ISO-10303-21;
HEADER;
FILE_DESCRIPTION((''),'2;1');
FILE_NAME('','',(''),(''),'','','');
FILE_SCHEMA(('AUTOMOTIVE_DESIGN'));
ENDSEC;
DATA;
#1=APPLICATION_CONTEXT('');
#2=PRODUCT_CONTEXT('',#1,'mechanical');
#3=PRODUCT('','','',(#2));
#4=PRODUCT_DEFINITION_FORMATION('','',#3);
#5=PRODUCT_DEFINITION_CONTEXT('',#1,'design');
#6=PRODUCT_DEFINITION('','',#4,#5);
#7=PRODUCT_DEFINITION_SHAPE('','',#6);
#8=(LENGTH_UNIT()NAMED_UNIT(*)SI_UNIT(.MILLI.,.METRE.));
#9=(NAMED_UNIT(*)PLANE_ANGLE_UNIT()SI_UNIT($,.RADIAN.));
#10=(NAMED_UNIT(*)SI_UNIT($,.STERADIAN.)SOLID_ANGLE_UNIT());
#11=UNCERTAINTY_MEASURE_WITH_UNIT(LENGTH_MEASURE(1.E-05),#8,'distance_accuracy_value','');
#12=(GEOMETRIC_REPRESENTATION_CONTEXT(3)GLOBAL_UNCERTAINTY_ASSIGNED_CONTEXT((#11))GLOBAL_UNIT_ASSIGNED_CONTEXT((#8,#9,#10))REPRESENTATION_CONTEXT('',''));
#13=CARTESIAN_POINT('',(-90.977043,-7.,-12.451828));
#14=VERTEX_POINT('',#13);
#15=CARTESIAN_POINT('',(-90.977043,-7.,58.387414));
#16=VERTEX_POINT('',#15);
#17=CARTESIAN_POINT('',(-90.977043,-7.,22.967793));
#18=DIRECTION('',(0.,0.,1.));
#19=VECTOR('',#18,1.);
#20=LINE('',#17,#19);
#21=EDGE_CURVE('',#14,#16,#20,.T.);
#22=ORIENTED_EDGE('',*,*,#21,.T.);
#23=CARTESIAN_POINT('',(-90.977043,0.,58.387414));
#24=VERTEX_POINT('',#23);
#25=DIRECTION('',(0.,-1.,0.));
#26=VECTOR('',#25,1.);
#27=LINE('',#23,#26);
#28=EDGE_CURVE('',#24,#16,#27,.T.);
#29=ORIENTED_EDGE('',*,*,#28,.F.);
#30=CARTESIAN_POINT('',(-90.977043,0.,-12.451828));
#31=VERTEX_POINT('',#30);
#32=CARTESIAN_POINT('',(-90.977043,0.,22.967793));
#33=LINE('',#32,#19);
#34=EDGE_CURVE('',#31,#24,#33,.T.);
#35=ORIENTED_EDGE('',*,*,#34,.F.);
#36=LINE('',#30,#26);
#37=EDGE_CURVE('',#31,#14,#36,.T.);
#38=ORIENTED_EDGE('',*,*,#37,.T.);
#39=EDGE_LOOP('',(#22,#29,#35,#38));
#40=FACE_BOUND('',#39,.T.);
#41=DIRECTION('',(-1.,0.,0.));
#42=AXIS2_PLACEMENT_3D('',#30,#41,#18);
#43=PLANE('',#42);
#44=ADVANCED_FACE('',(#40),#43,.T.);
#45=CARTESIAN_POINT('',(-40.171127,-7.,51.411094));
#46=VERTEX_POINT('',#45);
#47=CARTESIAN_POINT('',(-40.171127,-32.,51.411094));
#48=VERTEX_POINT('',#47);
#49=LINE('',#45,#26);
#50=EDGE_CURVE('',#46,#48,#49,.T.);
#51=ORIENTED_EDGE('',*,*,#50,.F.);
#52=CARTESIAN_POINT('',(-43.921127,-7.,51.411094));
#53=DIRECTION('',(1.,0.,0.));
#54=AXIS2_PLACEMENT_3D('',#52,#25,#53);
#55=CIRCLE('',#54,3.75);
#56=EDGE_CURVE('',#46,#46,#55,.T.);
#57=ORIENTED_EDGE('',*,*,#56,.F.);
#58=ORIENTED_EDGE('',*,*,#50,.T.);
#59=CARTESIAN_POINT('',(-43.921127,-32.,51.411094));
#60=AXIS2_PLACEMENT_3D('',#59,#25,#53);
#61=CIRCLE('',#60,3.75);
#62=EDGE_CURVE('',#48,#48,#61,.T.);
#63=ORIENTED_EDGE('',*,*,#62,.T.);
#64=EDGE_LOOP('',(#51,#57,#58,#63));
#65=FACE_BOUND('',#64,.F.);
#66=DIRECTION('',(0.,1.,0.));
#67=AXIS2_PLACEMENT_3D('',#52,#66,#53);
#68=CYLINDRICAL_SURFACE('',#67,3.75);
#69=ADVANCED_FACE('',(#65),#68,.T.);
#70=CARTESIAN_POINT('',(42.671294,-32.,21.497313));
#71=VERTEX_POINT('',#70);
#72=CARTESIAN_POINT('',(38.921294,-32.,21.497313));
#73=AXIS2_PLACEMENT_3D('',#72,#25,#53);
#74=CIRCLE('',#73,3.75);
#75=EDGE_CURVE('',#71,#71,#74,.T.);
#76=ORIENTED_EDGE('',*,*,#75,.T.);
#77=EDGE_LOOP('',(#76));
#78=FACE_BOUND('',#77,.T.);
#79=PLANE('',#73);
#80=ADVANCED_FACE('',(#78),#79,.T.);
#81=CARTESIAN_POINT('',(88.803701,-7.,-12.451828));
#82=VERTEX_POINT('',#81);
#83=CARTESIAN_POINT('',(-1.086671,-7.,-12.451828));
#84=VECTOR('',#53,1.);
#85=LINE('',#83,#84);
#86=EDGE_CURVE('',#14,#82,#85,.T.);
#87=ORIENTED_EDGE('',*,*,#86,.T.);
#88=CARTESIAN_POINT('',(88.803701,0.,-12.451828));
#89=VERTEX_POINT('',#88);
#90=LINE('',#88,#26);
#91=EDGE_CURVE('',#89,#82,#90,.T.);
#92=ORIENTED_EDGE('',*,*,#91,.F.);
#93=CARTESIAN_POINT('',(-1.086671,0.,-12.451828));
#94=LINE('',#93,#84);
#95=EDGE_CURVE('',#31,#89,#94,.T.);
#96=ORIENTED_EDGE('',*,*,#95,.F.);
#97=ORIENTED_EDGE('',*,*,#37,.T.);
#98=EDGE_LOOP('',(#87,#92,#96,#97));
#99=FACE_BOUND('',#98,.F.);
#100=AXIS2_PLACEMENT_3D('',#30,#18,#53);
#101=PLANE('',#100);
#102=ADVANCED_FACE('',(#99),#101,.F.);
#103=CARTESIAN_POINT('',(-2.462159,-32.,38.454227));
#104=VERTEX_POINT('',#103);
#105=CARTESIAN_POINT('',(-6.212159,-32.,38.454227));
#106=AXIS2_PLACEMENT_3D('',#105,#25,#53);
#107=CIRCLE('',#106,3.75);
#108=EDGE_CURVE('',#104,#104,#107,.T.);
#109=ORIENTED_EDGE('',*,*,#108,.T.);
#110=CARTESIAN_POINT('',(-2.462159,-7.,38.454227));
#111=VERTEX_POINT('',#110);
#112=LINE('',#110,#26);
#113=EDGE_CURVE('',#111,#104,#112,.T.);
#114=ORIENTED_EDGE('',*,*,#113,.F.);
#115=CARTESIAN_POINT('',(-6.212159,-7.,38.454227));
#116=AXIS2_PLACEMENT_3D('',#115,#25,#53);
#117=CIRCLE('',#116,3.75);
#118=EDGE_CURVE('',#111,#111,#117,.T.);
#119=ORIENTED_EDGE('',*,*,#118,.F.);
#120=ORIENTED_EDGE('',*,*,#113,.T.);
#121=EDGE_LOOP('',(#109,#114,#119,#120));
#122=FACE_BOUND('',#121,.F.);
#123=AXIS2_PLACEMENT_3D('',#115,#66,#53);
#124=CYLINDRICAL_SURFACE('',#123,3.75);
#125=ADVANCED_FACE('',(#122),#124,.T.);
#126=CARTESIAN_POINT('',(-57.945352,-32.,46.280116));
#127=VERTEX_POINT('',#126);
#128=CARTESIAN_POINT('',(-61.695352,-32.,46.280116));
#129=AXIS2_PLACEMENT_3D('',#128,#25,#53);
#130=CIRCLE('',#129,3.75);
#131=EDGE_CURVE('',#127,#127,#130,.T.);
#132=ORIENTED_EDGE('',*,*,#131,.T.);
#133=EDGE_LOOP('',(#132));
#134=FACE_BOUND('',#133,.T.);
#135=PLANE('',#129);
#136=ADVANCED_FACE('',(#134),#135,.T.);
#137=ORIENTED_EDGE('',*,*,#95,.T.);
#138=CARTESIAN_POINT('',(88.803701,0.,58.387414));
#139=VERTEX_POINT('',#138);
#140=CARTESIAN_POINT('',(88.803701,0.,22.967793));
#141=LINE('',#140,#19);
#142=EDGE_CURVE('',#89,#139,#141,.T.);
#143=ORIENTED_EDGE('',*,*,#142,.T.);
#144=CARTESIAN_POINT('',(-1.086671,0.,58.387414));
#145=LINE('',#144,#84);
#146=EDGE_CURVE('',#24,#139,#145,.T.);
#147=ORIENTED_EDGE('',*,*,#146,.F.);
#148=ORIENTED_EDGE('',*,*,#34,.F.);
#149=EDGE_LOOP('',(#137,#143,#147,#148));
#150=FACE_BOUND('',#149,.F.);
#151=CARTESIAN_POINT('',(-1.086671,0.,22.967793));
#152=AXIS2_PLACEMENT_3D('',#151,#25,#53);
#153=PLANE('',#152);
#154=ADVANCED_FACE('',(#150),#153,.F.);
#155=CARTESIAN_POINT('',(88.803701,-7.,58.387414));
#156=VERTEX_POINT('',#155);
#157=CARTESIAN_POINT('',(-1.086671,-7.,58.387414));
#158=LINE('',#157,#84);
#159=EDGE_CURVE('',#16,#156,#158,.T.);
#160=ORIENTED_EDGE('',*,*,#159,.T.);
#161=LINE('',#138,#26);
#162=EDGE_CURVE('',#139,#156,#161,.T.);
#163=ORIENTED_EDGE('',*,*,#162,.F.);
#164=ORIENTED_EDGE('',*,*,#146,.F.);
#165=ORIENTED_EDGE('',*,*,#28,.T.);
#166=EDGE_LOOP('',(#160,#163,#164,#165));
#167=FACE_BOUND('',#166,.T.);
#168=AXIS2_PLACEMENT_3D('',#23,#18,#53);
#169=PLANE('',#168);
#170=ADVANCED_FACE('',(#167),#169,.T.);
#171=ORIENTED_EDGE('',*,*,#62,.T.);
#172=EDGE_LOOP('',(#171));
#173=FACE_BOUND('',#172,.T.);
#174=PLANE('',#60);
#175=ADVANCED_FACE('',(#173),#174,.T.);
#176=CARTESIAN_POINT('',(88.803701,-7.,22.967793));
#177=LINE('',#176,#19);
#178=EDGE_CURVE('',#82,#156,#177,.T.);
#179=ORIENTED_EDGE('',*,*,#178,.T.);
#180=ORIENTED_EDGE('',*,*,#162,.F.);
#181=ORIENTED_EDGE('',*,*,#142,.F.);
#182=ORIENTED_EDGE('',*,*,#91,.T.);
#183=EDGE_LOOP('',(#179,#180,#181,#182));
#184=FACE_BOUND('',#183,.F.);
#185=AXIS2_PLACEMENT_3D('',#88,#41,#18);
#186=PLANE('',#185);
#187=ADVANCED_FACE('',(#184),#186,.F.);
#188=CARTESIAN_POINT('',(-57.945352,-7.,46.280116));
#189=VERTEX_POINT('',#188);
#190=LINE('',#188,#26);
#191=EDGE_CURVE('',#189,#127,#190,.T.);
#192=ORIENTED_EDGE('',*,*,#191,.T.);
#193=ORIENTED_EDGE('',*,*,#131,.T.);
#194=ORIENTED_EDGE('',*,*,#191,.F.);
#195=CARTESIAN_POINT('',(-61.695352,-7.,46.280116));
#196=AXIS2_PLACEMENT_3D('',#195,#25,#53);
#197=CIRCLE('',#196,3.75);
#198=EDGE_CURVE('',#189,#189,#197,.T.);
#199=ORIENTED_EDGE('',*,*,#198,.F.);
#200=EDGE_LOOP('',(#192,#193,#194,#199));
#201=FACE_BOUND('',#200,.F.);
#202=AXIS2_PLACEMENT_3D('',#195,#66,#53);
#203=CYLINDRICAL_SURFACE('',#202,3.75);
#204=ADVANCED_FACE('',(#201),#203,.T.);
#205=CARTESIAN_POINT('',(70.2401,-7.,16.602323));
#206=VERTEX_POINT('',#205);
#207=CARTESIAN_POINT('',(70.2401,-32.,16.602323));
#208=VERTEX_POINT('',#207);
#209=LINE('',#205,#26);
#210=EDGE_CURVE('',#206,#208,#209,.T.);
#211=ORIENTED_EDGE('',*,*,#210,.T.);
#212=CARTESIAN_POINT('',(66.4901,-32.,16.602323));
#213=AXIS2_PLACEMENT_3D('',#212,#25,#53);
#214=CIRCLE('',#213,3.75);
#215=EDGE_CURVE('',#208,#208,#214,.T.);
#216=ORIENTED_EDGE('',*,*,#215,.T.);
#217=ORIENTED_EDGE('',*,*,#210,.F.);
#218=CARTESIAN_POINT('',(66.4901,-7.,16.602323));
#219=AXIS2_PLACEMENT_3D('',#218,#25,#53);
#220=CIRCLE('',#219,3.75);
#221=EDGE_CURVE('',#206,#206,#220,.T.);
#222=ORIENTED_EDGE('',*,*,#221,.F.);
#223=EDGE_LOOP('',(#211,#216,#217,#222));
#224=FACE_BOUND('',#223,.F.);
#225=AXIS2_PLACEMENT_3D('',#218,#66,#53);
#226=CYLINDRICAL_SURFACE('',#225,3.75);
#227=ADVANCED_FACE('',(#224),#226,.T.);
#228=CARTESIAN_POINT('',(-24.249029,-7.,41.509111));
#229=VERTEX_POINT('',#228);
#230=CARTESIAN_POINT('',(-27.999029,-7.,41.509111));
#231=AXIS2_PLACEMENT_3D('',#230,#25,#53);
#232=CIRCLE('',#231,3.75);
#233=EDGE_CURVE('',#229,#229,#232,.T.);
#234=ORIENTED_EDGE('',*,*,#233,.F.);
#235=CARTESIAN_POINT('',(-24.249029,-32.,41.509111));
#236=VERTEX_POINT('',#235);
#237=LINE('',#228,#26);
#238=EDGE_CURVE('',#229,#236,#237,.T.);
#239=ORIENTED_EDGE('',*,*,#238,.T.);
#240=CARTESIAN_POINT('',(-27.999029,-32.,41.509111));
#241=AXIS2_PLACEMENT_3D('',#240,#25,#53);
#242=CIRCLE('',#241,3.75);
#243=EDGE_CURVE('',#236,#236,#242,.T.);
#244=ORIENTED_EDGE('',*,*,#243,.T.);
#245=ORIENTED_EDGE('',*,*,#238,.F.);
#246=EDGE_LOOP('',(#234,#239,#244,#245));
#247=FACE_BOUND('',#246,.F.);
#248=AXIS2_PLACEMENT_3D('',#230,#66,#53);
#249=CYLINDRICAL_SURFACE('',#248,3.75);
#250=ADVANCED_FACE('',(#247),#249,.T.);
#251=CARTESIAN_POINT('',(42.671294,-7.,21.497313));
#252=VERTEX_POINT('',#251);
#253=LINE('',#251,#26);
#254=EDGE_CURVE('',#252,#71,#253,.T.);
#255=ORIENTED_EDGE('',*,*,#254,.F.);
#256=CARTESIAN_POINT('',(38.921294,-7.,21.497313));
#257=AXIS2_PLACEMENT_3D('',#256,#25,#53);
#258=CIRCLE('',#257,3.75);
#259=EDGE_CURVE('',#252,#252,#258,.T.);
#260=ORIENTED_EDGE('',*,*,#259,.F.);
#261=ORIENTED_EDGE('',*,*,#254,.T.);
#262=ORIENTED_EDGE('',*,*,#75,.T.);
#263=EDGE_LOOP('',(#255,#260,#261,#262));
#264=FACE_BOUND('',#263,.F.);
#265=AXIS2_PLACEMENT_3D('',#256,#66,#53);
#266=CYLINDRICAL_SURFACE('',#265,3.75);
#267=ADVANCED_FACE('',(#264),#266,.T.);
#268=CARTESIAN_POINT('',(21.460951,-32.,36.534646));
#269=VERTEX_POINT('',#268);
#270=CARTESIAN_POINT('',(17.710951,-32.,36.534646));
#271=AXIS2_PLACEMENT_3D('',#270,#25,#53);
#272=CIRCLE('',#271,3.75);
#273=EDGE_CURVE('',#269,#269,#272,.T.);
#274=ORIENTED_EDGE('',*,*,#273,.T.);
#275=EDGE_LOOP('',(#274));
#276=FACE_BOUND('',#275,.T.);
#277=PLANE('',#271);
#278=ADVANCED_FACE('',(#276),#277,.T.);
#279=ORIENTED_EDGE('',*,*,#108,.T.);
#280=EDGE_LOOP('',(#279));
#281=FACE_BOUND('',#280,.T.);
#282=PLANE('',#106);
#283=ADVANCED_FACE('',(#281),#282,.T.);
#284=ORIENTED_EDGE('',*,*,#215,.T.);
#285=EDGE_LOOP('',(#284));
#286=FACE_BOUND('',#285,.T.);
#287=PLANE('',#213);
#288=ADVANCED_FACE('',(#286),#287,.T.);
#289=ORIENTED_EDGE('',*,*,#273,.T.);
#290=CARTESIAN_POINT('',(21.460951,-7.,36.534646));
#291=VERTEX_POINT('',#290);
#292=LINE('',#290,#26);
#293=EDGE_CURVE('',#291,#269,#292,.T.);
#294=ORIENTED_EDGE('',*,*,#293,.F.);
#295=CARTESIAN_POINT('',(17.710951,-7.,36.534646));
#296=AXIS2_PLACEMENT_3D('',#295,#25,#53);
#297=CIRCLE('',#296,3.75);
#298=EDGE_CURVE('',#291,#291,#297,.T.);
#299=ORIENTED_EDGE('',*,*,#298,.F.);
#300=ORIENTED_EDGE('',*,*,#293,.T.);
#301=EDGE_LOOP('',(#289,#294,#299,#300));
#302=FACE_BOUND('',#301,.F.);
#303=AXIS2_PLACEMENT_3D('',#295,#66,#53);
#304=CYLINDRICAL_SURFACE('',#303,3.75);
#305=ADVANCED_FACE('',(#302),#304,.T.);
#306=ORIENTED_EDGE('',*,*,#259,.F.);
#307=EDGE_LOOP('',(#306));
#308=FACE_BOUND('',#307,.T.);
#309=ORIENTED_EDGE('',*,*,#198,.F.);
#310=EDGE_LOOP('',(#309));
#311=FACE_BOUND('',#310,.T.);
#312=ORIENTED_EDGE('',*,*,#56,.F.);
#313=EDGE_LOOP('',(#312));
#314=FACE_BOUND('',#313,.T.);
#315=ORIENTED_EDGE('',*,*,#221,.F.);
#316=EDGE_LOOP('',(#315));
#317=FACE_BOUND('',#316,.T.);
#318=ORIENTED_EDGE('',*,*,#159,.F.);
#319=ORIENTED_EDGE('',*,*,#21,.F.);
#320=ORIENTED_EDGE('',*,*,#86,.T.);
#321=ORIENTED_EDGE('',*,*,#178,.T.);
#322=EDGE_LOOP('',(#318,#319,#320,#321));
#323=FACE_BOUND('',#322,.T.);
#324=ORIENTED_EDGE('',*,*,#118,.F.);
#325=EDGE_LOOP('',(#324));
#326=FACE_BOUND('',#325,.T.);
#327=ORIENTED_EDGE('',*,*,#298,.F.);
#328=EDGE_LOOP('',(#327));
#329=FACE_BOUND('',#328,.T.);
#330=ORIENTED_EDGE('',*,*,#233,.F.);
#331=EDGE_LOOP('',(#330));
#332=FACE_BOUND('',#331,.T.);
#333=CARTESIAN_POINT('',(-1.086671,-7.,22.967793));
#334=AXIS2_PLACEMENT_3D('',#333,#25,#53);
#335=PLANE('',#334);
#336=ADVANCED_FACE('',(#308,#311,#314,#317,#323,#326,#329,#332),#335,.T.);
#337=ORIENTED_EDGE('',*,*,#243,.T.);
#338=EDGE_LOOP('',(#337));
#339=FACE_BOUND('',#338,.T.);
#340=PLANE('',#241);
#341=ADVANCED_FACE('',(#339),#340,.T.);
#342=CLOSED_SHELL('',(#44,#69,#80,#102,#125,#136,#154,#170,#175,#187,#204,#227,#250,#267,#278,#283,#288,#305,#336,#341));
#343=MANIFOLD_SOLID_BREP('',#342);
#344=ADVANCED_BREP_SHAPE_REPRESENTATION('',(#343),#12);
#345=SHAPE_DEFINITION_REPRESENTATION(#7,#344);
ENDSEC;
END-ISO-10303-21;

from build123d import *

# Parameters (mm, degrees)
F0_W      = 179.780744
F0_H      = 70.839242
F1_DEPTH  = 7
F2_R      = 3.75
F3_DEPTH  = 25
F4_R      = 3.75
F5_DEPTH  = 25
F6_R      = 3.75
F7_DEPTH  = 25
F8_R      = 3.75
F9_DEPTH  = 25
F10_R     = 3.75
F11_DEPTH = 25
F12_R     = 3.75
F13_DEPTH = 25
F14_R     = 3.75
F15_DEPTH = 25


with BuildPart() as f1:
    # F0 (on Front) → F1 (new body)
    with BuildSketch(Plane.XZ):
        with Locations((-1.086671, 22.967793)):
            Rectangle(F0_W, F0_H)
    extrude(amount=F1_DEPTH)

    # F2 (on face) → F3 (join)
    with BuildSketch(Plane.XZ.offset(7)):
        with Locations((-61.695352, 46.280116)):
            Circle(F2_R)
    extrude(amount=F3_DEPTH)

    # F4 (on face) → F5 (join)
    with BuildSketch(Plane.XZ.offset(7)):
        with Locations((-43.921127, 51.411094)):
            Circle(F4_R)
    extrude(amount=F5_DEPTH)

    # F6 (on face) → F7 (join)
    with BuildSketch(Plane.XZ.offset(7)):
        with Locations((-27.999029, 41.509111)):
            Circle(F6_R)
    extrude(amount=F7_DEPTH)

    # F8 (on face) → F9 (join)
    with BuildSketch(Plane.XZ.offset(7)):
        with Locations((-6.212159, 38.454227)):
            Circle(F8_R)
    extrude(amount=F9_DEPTH)

    # F10 (on face) → F11 (join)
    with BuildSketch(Plane.XZ.offset(7)):
        with Locations((17.710951, 36.534646)):
            Circle(F10_R)
    extrude(amount=F11_DEPTH)

    # F12 (on face) → F13 (join)
    with BuildSketch(Plane.XZ.offset(7)):
        with Locations((38.921294, 21.497313)):
            Circle(F12_R)
    extrude(amount=F13_DEPTH)

    # F14 (on face) → F15 (join)
    with BuildSketch(Plane.XZ.offset(7)):
        with Locations((66.4901, 16.602323)):
            Circle(F14_R)
    extrude(amount=F15_DEPTH)


solid = f1.part
